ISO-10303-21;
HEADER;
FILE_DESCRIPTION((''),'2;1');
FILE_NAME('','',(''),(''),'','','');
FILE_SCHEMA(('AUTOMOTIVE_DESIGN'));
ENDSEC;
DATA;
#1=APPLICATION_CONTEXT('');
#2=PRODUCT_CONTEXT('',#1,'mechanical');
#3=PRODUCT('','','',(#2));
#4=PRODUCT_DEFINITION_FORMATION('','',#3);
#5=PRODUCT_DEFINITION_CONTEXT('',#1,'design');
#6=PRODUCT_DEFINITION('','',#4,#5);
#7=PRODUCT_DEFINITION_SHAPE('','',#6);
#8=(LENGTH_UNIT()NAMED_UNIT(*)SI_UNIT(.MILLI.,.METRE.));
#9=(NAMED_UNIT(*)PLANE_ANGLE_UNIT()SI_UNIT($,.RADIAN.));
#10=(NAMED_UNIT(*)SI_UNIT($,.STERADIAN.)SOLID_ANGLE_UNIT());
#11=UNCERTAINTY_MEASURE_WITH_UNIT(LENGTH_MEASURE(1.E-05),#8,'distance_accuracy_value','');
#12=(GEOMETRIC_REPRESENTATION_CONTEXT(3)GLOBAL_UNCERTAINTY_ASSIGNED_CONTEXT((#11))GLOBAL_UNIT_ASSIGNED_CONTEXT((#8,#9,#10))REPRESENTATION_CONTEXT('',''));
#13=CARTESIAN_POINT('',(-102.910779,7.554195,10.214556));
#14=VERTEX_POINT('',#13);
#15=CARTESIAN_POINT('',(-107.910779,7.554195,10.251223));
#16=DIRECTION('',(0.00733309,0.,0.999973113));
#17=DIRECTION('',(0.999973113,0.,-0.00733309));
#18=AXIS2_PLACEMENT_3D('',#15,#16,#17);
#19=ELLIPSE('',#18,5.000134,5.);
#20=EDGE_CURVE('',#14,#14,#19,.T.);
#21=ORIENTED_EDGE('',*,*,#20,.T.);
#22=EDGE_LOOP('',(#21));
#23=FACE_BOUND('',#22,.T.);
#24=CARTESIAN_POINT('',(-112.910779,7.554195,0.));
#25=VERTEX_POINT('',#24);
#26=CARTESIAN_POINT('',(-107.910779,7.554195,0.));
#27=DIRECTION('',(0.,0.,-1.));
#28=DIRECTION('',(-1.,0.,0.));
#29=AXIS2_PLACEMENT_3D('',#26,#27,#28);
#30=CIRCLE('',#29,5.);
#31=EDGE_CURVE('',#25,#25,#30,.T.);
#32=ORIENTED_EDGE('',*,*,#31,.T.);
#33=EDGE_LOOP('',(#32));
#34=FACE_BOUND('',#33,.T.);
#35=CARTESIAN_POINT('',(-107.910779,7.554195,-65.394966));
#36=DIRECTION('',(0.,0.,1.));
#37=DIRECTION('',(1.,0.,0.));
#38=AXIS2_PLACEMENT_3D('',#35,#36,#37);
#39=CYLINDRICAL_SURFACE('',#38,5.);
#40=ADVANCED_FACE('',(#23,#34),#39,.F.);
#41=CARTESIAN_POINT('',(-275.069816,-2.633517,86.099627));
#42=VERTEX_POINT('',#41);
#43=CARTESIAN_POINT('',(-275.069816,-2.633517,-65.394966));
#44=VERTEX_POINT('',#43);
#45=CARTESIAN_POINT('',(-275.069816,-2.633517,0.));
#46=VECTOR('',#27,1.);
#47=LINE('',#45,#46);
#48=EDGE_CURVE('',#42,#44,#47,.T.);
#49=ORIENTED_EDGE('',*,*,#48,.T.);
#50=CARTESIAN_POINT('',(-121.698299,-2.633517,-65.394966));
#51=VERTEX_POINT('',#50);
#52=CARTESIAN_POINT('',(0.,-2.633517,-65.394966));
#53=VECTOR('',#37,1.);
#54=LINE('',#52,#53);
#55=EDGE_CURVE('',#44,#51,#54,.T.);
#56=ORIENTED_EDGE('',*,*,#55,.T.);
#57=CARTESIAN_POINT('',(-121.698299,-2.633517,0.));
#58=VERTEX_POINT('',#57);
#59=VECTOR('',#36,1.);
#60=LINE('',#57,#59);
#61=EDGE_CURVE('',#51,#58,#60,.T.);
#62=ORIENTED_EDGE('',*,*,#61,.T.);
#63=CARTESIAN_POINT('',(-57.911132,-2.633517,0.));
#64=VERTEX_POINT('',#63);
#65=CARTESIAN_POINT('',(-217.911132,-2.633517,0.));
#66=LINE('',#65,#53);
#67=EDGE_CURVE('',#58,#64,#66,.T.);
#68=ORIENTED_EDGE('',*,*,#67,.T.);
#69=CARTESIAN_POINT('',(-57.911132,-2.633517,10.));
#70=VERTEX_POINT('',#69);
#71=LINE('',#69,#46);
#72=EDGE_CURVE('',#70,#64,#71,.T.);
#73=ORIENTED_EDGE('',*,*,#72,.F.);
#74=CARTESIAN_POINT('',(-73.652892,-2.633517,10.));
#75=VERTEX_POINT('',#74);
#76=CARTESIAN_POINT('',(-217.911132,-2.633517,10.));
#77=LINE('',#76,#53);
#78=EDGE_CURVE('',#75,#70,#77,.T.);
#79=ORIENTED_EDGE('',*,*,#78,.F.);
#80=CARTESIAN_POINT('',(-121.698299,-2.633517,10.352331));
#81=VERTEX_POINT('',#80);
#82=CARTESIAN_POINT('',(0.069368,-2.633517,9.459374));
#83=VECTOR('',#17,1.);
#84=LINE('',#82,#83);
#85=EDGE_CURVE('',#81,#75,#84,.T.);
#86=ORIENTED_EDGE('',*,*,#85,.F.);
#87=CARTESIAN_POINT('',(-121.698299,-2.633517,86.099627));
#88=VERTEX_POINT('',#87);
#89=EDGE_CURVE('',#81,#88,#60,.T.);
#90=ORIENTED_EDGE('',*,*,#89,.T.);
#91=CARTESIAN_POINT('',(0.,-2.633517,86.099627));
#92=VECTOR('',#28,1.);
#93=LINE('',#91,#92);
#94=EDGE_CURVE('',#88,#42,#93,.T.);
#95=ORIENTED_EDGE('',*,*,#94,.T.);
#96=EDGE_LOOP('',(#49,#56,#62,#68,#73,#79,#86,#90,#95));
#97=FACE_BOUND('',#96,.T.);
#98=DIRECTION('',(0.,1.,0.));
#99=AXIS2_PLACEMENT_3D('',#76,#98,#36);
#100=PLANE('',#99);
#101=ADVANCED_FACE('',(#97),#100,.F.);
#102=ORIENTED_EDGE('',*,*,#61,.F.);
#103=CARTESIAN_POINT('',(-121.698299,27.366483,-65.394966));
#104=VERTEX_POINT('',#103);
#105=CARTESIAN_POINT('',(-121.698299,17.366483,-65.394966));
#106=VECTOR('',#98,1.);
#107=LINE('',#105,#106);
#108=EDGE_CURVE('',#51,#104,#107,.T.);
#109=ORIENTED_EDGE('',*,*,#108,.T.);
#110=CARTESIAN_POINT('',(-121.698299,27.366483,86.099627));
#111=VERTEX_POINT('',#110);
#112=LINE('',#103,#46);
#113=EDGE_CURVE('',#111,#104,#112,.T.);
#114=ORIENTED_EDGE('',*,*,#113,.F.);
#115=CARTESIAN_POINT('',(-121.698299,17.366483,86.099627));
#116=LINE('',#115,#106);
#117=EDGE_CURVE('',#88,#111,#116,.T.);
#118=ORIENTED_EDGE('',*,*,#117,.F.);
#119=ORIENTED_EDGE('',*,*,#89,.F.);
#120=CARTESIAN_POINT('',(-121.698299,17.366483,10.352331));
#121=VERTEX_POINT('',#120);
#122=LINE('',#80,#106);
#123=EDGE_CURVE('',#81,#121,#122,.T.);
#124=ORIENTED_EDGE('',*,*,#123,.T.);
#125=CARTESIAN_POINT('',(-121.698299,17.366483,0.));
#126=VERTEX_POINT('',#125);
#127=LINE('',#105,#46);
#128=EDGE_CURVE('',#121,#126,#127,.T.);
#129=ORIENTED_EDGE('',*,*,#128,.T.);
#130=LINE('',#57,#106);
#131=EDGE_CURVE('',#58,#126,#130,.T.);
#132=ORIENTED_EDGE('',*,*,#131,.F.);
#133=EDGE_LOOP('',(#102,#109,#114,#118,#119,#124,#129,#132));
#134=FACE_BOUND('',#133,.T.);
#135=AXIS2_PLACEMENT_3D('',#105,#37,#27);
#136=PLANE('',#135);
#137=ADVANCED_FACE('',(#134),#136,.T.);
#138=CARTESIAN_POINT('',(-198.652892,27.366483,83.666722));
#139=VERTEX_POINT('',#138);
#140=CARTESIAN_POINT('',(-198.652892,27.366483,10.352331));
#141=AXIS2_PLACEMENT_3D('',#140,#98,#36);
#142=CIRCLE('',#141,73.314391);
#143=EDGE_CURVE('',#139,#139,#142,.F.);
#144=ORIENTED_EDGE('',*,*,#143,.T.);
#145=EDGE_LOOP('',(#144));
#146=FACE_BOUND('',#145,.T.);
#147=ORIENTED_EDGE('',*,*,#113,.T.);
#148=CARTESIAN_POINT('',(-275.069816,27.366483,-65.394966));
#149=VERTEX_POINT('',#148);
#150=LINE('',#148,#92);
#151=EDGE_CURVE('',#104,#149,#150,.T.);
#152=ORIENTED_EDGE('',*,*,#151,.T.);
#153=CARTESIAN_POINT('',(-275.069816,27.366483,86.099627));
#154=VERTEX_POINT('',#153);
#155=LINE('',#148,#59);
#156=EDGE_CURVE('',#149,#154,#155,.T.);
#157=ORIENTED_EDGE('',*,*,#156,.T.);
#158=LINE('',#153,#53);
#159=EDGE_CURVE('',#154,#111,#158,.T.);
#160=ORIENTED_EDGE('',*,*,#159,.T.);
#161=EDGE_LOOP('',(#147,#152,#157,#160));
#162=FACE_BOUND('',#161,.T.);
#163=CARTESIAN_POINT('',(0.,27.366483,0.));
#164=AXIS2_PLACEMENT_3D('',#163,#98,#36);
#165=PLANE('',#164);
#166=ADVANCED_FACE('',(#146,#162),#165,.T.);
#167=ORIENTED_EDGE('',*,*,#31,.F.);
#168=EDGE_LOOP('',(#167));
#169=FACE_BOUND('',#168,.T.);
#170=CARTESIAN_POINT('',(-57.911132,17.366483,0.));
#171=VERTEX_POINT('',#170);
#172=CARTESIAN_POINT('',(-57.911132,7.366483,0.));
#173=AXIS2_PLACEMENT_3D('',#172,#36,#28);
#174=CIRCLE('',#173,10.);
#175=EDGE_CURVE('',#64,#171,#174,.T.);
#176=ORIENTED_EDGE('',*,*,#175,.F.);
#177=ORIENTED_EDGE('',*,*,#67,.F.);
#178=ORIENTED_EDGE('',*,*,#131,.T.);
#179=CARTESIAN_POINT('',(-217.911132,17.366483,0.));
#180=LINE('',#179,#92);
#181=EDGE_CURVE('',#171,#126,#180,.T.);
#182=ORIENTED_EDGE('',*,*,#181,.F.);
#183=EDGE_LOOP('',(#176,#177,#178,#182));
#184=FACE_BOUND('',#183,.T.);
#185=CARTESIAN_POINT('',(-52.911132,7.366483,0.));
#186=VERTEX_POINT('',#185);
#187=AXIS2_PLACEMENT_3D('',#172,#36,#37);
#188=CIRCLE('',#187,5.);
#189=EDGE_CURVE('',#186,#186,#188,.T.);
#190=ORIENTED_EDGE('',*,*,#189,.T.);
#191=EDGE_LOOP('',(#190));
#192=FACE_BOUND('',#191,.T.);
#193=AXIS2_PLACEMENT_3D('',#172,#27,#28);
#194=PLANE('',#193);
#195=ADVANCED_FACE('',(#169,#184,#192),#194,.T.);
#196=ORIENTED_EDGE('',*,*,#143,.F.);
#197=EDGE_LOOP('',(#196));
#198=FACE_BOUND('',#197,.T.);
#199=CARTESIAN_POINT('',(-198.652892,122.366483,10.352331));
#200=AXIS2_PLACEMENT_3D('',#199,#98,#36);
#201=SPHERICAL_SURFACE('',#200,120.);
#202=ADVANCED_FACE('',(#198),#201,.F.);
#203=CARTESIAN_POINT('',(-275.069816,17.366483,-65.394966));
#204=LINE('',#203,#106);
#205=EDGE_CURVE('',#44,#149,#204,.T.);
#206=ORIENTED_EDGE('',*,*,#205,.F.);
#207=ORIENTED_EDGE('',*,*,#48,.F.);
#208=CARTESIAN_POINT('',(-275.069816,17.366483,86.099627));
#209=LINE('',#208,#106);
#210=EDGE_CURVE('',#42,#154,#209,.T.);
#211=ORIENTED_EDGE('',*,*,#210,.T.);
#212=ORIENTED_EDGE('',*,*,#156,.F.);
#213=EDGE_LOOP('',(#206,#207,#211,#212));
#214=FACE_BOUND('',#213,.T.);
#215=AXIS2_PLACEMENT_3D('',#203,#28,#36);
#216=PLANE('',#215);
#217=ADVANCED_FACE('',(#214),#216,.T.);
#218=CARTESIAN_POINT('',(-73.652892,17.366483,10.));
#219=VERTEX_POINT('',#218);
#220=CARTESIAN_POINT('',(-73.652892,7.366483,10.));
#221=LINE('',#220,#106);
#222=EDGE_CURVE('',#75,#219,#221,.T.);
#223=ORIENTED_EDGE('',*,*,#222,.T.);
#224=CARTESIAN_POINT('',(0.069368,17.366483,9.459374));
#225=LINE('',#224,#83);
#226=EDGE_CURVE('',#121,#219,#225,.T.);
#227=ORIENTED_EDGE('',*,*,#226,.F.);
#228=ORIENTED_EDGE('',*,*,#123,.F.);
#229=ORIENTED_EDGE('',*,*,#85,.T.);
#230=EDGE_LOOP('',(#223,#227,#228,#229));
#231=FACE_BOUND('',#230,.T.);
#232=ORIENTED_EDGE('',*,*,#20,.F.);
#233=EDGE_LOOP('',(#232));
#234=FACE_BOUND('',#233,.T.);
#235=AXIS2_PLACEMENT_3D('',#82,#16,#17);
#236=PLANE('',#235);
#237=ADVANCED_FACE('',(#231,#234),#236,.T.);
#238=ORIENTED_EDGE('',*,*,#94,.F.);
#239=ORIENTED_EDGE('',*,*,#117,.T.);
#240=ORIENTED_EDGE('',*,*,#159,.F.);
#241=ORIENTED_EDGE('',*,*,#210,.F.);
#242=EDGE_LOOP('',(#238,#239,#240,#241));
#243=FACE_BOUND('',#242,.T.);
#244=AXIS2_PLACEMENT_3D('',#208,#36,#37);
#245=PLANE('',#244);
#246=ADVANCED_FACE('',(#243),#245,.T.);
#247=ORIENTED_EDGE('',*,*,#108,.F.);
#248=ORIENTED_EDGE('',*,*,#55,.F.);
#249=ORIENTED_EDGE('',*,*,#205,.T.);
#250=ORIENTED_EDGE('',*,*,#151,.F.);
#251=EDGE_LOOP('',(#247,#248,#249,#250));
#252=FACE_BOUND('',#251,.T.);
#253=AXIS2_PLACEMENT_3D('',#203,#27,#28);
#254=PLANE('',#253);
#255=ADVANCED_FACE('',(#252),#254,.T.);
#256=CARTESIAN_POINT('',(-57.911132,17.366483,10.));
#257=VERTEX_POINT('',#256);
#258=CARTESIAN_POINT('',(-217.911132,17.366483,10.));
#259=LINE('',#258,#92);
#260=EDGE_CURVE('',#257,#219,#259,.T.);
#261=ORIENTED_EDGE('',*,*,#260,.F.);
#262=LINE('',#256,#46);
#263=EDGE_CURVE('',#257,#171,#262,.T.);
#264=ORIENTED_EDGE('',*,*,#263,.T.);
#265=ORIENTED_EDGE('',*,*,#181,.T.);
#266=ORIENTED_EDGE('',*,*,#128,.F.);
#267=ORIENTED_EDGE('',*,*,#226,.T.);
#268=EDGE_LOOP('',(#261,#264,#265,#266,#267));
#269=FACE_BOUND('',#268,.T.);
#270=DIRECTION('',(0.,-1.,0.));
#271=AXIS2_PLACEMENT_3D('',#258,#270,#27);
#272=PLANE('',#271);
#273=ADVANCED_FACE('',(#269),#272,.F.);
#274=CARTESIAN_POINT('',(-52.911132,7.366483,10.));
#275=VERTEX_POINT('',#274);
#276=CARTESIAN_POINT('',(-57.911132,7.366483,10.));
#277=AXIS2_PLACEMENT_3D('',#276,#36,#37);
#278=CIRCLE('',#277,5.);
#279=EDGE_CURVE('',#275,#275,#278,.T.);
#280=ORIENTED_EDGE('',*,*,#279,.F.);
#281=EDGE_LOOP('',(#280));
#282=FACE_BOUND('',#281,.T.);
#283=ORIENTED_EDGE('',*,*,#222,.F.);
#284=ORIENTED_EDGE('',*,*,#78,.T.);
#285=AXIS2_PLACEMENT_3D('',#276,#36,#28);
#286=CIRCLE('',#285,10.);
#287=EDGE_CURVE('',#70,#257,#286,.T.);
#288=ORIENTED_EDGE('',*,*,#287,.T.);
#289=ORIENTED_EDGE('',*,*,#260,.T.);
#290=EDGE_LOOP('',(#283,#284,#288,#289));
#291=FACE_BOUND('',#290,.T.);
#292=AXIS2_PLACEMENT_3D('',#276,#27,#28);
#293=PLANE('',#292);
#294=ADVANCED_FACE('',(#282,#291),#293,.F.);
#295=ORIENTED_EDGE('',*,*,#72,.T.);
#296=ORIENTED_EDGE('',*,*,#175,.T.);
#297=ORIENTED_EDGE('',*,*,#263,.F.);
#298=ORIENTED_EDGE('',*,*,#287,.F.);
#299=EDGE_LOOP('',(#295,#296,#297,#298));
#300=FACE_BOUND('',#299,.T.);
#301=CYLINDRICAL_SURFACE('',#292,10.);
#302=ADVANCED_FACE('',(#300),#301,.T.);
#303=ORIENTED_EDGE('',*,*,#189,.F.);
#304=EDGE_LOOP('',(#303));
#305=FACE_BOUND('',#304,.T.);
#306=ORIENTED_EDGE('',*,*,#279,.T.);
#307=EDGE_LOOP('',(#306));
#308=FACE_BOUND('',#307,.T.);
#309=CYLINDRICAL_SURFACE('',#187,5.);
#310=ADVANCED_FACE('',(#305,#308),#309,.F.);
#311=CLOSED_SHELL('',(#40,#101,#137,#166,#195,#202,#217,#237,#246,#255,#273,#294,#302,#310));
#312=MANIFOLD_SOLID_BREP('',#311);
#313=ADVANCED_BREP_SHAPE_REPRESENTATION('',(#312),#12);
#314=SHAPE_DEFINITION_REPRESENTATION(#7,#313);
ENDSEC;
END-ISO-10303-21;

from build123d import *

# Parameters (mm, degrees)
EXTRUDE_1_DEPTH     = 10
SKETCH_2_R          = 5
CUT_EXTRUDE_1_DEPTH = 10
SKETCH_3_W          = 250
SKETCH_3_H          = 250
EXTRUDE_2_DEPTH     = 125
SKETCH_5_W          = 250
SKETCH_5_H          = 250
CUT_EXTRUDE_2_DEPTH = 95
SKETCH_8_W          = 250
SKETCH_8_H          = 250
SKETCH_8_W_2        = 153.371517144
SKETCH_8_H_2        = 151.494592983
CUT_EXTRUDE_4_DEPTH = 10
CUT_EXTRUDE_5_DEPTH = 352.385042723
SKETCH_10_R         = 5
CUT_EXTRUDE_7_DEPTH = 287.71149486
SKETCH_12_R         = 5
CUT_EXTRUDE_8_DEPTH = 287.71149486


with BuildPart() as part:
    # 草图1 → 凸台-拉伸1 (new body)
    with BuildSketch(Plane.XY):
        with BuildLine():
            Line((-217.911131847, 17.366483315), (-57.911131847, 17.366483315))
            ThreePointArc((-57.911131847, 17.366483315), (-47.911131847, 7.366483315), (-57.911131847, -2.633516685))
            Line((-57.911131847, -2.633516685), (-217.911131847, -2.633516685))
            Line((-217.911131847, -2.633516685), (-217.911131847, 17.366483315))
        make_face()
    extrude(amount=EXTRUDE_1_DEPTH)

    # 草图2 → 切除-拉伸1 (cut)
    with BuildSketch(Plane.XY.offset(10)):
        with Locations((-57.911131847, 7.366483315)):
            Circle(SKETCH_2_R)
        with Locations((-7.911347857, 7.219510907)):
            Circle(SKETCH_2_R)
    extrude(amount=-CUT_EXTRUDE_1_DEPTH, mode=Mode.SUBTRACT)

    # 草图3 → 凸台-拉伸2 (add)
    with BuildSketch(Plane.XZ.offset(2.633516685)):
        with Locations((-198.652892484, 10.352330738)):
            Rectangle(SKETCH_3_W, SKETCH_3_H)
    extrude(amount=-EXTRUDE_2_DEPTH)

    # 草图4 → 切除-旋转1 (revolve, cut)
    with BuildSketch(Plane(origin=(0, 122.366483315, 0), x_dir=(1, 0, 0), z_dir=(0, 1, 0))):
        with BuildLine():
            Line((-283.505706227, 74.500483004), (-113.800078742, -95.205144481))
            ThreePointArc((-113.800078742, -95.205144481), (-283.505706227, -95.205144481), (-283.505706227, 74.500483004))
        make_face()
    revolve(axis=Axis((-283.505706227, 122.366483315, -74.500483004), (0.7071067811865477, 0, 0.7071067811865474)), mode=Mode.SUBTRACT)

    # 草图5 → 切除-拉伸2 (cut)
    with BuildSketch(Plane(origin=(0, 122.366483315, 0), x_dir=(1, 0, 0), z_dir=(0, 1, 0))):
        with Locations((-198.652892484, -10.352330738)):
            Rectangle(SKETCH_5_W, SKETCH_5_H)
    extrude(amount=-CUT_EXTRUDE_2_DEPTH, mode=Mode.SUBTRACT)

    # 草图8 → 切除-拉伸4 (cut)
    with BuildSketch(Plane(origin=(0, 27.366483315, 0), x_dir=(1, 0, 0), z_dir=(0, 1, 0))):
        with Locations((-198.652892484, -10.352330738)):
            Rectangle(SKETCH_8_W, SKETCH_8_H)
        with Locations((-198.384057314, -10.352330739)):
            Rectangle(SKETCH_8_W_2, SKETCH_8_H_2, mode=Mode.SUBTRACT)
    extrude(amount=-CUT_EXTRUDE_4_DEPTH, mode=Mode.SUBTRACT)

    # 草图9 → 切除-拉伸5 (cut, through all)
    with BuildSketch(Plane(origin=(0, 17.366483315, 0), x_dir=(1, 0, 0), z_dir=(0, 1, 0))):
        Polygon((-275.069815886, -86.09962723), (-275.069815886, 65.394965753), (-121.698298742, 65.394965753), (-121.698298742, 0), (-73.652892484, 0), (-73.652892484, 114.647669262), (-323.652892484, 114.647669262), (-323.652892484, -135.352330738), (-73.652892484, -135.352330738), (-73.652892484, -10), (-121.698298742, -10.352330738), (-121.698298742, -86.09962723), align=None)
    extrude(amount=-CUT_EXTRUDE_5_DEPTH, mode=Mode.SUBTRACT)

    # 草图10 → 切除-拉伸7 (cut, through all)
    with BuildSketch(Plane.XY.offset(10)):
        with Locations((-107.91077949, 7.55419482)):
            Circle(SKETCH_10_R)
    extrude(amount=-CUT_EXTRUDE_7_DEPTH, mode=Mode.SUBTRACT)

    # 草图12 → 切除-拉伸8 (cut, through all)
    with BuildSketch(Plane(origin=(0, 0, 10), x_dir=(-1, 0, 0), z_dir=(0, 0, -1))):
        with Locations(Location((107.91077949, 7.55419482, 0), (0, 0, 180))):
            Circle(SKETCH_12_R)
    extrude(amount=-CUT_EXTRUDE_8_DEPTH, mode=Mode.SUBTRACT)


solid = part.part
